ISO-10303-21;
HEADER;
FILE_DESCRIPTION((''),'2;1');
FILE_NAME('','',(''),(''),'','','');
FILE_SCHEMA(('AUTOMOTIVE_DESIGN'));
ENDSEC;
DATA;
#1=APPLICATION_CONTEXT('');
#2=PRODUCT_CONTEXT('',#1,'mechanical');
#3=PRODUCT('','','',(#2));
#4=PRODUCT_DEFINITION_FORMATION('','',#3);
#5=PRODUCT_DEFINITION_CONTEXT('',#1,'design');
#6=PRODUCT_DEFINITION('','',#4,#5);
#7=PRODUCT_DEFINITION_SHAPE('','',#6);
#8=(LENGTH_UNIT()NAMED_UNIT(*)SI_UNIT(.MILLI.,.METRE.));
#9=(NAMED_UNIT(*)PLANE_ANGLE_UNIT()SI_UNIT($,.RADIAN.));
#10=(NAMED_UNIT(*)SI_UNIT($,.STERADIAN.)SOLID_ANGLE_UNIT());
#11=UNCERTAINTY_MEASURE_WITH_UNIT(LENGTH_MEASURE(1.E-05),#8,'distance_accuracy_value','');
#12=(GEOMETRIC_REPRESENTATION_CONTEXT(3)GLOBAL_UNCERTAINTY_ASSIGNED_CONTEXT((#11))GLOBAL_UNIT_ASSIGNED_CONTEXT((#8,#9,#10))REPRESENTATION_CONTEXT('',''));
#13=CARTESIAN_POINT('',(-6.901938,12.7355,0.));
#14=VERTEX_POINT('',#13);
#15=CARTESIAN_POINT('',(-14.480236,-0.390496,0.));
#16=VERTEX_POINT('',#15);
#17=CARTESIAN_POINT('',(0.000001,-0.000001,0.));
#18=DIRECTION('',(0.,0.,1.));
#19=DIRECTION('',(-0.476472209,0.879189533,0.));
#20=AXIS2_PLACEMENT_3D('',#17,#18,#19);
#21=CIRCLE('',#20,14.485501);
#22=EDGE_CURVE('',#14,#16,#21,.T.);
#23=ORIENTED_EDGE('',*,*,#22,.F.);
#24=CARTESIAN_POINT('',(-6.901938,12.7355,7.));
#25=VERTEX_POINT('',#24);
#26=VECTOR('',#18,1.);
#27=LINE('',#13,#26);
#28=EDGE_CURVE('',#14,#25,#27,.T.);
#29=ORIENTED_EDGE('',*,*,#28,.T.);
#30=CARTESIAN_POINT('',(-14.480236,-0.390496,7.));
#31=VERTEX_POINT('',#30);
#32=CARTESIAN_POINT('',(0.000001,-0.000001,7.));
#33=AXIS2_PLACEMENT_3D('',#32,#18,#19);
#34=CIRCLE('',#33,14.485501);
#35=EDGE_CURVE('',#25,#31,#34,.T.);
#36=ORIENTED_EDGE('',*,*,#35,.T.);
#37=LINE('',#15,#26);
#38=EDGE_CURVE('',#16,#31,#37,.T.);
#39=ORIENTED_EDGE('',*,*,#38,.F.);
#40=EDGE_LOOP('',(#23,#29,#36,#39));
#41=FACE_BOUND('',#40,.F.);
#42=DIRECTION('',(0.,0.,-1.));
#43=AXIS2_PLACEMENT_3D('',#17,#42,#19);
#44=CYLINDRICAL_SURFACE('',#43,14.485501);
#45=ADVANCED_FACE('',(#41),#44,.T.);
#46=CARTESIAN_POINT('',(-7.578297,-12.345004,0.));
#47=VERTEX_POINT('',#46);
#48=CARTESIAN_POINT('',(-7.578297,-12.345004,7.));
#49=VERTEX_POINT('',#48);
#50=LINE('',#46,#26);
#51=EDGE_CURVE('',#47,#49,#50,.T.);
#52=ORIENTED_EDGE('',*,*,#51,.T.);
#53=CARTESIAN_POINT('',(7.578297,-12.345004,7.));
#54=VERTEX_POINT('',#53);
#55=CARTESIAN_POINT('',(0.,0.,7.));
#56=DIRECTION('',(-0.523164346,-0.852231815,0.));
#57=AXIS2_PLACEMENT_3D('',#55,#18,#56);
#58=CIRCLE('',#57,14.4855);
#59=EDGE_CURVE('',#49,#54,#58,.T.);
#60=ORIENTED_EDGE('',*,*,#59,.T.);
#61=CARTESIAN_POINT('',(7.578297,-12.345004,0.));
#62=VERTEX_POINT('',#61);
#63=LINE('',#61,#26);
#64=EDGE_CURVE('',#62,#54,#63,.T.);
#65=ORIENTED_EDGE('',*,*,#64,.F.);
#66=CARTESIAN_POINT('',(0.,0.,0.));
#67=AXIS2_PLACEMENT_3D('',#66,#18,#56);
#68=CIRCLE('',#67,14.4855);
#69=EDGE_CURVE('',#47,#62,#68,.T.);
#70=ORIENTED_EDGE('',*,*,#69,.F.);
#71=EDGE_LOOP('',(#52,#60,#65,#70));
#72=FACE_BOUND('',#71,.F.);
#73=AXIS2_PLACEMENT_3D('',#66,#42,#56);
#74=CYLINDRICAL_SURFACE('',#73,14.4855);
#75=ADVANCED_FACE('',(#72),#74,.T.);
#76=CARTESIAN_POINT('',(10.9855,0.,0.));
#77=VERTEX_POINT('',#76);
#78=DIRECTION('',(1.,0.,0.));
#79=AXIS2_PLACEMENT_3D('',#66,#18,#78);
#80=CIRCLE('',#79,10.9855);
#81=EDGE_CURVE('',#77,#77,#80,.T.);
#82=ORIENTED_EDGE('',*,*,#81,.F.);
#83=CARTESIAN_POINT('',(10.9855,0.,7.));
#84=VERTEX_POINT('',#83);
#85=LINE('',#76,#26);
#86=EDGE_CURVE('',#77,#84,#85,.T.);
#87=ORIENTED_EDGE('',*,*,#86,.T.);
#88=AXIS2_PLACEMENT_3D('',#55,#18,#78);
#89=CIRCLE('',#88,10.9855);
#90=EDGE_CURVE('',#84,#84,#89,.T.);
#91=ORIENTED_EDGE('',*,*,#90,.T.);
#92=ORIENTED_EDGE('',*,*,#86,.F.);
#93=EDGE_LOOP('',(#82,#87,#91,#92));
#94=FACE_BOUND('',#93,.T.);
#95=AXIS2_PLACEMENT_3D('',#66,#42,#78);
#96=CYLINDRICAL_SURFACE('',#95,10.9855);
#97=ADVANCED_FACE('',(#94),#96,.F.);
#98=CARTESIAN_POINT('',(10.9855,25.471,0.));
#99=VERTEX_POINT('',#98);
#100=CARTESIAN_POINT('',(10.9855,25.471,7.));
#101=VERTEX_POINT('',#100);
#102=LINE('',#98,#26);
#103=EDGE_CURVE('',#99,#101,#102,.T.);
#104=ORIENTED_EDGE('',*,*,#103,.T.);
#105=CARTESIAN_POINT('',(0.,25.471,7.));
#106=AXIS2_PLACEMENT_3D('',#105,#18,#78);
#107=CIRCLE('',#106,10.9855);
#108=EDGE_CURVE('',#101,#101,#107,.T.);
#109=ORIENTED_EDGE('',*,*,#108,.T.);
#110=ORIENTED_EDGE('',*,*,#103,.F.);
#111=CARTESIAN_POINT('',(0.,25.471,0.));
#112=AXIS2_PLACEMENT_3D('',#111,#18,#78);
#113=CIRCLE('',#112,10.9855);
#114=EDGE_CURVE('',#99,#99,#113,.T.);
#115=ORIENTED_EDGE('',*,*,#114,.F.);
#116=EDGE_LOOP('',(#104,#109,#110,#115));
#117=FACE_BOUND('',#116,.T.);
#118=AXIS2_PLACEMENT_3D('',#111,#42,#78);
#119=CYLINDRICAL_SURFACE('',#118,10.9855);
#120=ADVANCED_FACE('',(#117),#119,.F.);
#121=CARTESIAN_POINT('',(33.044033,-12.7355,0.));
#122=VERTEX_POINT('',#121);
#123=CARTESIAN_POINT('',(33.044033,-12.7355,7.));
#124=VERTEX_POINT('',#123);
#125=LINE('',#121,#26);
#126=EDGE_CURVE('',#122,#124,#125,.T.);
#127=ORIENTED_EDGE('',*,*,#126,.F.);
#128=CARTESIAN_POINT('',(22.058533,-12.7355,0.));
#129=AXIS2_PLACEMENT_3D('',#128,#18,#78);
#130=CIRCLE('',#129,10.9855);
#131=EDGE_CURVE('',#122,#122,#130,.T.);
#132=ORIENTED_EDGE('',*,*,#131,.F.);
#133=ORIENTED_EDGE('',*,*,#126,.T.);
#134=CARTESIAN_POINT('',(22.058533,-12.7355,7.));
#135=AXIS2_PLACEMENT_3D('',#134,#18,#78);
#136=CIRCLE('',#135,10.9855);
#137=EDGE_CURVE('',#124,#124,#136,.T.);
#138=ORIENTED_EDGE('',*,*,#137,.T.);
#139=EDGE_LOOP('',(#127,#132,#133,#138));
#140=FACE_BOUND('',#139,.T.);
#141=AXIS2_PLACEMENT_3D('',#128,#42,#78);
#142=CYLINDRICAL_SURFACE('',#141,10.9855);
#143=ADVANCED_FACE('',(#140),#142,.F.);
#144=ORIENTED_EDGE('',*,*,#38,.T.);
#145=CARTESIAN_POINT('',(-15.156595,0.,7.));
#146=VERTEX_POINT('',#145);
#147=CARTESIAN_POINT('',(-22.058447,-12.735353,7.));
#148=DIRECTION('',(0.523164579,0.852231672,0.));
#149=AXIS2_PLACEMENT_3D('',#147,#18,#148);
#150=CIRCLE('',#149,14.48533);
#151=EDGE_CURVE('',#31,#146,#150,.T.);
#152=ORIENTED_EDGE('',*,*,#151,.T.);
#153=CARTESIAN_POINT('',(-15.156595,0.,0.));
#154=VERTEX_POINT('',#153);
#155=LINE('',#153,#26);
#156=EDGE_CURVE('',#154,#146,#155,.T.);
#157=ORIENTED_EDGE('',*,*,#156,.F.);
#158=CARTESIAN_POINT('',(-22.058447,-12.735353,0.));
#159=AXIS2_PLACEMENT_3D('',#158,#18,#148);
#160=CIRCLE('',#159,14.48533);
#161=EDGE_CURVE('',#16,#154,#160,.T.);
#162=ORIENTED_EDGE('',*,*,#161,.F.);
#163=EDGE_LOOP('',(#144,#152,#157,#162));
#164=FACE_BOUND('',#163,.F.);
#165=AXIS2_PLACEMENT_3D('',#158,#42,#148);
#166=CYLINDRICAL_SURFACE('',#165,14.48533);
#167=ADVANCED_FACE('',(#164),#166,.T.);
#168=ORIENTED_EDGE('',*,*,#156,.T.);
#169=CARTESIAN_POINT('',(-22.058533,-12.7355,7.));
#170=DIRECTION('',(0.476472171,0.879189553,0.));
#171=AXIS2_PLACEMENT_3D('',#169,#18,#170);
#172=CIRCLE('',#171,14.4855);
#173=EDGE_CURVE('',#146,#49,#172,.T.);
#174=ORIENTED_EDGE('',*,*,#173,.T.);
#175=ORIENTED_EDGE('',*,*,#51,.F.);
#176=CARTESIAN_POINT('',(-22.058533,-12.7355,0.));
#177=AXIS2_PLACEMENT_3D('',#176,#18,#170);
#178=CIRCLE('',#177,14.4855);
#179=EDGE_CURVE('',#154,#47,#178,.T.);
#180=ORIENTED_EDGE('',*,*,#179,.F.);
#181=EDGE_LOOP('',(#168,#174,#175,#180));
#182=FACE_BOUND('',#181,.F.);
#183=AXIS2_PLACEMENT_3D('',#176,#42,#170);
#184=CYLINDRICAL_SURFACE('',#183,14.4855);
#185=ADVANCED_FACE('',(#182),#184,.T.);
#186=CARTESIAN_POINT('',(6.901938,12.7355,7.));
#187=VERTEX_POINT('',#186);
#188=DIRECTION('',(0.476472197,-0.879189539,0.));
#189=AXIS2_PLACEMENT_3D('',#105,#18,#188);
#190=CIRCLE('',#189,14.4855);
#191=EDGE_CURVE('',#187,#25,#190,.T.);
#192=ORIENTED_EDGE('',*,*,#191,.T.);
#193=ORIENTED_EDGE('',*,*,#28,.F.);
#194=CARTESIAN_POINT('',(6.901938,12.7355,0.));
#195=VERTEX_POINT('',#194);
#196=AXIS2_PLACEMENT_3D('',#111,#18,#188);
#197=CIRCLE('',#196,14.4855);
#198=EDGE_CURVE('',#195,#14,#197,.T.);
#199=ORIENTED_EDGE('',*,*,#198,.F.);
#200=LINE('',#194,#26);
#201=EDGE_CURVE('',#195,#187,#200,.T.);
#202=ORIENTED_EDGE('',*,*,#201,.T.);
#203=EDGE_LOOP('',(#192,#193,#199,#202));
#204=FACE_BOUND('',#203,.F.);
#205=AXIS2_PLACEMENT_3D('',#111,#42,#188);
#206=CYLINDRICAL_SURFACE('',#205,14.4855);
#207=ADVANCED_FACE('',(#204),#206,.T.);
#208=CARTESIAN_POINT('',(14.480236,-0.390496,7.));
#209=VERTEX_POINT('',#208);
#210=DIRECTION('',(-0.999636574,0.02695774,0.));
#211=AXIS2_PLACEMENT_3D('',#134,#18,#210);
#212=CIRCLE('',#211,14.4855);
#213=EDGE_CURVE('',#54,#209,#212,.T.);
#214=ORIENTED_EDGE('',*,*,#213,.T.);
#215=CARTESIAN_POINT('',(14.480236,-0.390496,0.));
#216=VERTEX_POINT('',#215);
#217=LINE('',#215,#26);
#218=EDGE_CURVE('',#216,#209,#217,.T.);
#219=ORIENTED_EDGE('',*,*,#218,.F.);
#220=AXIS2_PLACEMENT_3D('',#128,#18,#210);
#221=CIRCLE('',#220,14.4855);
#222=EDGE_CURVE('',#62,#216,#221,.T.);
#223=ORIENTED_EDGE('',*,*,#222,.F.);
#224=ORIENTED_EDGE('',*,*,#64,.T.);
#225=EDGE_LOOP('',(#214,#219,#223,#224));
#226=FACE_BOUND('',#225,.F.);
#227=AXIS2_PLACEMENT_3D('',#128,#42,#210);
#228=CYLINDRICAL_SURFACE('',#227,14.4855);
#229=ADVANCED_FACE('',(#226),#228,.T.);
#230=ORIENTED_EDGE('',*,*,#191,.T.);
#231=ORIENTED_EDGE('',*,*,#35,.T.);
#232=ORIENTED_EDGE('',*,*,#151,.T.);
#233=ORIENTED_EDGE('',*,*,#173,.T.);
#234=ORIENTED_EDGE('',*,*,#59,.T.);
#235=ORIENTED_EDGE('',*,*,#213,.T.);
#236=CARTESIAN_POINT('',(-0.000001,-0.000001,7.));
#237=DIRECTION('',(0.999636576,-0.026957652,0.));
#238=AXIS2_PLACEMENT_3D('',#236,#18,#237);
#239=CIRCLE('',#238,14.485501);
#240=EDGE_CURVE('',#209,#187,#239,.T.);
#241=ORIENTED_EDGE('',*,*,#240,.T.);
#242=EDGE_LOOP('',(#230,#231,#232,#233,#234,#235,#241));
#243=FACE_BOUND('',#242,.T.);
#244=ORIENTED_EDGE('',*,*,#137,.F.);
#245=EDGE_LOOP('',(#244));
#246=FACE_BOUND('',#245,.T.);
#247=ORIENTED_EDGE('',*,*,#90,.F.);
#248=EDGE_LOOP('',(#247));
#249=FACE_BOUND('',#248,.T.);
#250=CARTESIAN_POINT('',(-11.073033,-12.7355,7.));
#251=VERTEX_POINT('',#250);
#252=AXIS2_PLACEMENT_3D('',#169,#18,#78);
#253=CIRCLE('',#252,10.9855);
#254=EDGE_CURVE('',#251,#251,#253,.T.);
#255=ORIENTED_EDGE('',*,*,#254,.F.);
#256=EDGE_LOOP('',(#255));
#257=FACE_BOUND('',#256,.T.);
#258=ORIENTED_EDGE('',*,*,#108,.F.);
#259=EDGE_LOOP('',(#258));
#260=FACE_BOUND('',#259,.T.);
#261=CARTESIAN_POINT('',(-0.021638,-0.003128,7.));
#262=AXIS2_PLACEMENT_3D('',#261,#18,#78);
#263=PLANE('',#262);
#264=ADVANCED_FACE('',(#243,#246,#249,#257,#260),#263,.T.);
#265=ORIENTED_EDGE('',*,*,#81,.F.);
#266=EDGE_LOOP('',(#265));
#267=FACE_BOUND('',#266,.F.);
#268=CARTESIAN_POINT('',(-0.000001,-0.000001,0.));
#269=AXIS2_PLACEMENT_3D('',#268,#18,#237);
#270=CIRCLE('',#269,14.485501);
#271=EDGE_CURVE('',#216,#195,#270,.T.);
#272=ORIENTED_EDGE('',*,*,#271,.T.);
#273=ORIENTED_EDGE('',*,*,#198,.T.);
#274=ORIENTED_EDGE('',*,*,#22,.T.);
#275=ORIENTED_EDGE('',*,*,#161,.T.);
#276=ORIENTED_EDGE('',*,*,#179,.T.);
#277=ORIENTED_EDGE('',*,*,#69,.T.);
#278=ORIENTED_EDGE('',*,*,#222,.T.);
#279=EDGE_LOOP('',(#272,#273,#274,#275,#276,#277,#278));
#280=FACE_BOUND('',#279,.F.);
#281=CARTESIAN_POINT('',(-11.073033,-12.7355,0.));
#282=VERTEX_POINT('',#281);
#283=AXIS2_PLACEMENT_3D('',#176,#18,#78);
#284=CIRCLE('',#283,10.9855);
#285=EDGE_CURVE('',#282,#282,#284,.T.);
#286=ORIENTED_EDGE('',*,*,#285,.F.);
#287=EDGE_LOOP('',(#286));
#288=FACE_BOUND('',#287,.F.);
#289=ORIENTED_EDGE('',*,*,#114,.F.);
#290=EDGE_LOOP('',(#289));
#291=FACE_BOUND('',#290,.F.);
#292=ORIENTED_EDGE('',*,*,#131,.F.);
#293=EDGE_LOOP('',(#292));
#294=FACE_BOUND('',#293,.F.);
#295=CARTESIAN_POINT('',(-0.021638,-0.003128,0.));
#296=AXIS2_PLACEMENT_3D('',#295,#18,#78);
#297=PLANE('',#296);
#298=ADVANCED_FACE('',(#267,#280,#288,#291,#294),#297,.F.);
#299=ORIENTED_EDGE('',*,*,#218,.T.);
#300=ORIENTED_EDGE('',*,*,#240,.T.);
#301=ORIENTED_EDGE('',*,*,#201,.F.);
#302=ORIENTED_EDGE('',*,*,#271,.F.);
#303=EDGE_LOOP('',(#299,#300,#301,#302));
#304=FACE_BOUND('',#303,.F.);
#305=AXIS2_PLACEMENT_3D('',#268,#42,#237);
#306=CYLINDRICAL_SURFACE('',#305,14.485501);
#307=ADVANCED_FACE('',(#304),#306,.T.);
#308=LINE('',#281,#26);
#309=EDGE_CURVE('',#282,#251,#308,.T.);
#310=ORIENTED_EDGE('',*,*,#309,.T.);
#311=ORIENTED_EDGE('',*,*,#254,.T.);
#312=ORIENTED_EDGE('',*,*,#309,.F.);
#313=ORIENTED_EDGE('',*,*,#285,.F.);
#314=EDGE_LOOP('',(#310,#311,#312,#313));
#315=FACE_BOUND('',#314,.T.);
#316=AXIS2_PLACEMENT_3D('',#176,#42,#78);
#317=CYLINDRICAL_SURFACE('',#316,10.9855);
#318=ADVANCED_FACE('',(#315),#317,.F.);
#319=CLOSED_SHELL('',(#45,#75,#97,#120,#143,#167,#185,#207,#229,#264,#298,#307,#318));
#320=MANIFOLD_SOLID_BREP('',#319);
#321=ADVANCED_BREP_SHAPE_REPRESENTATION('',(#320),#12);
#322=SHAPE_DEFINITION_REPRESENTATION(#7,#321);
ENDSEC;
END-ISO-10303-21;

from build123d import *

# Parameters (mm, degrees)
F1_R     = 10.9855
F2_DEPTH = 7


with BuildPart() as f2:
    # F1 (on Top) → F2 (new body)
    with BuildSketch(Plane.XY):
        with BuildLine():
            ThreePointArc((-14.480236, -0.390496), (-14.815783, -0.190689), (-15.156595, 0))
            ThreePointArc((-15.156595, 0), (-34.403537, -20.313797), (-7.578297, -12.345004))
            ThreePointArc((-7.578297, -12.345004), (0, -14.4855), (7.578297, -12.345004))
            ThreePointArc((7.578297, -12.345004), (34.603344, -19.97825), (14.480236, -0.390496))
            ThreePointArc((14.480236, -0.390496), (12.544811, 7.24275), (6.901938, 12.7355))
            ThreePointArc((6.901938, 12.7355), (0, 39.9565), (-6.901938, 12.7355))
            ThreePointArc((-6.901938, 12.7355), (-12.544811, 7.24275), (-14.480236, -0.390496))
        make_face()
        with Locations((-22.058533, -12.7355)):
            Circle(F1_R, mode=Mode.SUBTRACT)
        with Locations((22.058533, -12.7355)):
            Circle(F1_R, mode=Mode.SUBTRACT)
        Circle(F1_R, mode=Mode.SUBTRACT)
        with Locations((0, 25.471)):
            Circle(F1_R, mode=Mode.SUBTRACT)
    extrude(amount=F2_DEPTH)


solid = f2.part
